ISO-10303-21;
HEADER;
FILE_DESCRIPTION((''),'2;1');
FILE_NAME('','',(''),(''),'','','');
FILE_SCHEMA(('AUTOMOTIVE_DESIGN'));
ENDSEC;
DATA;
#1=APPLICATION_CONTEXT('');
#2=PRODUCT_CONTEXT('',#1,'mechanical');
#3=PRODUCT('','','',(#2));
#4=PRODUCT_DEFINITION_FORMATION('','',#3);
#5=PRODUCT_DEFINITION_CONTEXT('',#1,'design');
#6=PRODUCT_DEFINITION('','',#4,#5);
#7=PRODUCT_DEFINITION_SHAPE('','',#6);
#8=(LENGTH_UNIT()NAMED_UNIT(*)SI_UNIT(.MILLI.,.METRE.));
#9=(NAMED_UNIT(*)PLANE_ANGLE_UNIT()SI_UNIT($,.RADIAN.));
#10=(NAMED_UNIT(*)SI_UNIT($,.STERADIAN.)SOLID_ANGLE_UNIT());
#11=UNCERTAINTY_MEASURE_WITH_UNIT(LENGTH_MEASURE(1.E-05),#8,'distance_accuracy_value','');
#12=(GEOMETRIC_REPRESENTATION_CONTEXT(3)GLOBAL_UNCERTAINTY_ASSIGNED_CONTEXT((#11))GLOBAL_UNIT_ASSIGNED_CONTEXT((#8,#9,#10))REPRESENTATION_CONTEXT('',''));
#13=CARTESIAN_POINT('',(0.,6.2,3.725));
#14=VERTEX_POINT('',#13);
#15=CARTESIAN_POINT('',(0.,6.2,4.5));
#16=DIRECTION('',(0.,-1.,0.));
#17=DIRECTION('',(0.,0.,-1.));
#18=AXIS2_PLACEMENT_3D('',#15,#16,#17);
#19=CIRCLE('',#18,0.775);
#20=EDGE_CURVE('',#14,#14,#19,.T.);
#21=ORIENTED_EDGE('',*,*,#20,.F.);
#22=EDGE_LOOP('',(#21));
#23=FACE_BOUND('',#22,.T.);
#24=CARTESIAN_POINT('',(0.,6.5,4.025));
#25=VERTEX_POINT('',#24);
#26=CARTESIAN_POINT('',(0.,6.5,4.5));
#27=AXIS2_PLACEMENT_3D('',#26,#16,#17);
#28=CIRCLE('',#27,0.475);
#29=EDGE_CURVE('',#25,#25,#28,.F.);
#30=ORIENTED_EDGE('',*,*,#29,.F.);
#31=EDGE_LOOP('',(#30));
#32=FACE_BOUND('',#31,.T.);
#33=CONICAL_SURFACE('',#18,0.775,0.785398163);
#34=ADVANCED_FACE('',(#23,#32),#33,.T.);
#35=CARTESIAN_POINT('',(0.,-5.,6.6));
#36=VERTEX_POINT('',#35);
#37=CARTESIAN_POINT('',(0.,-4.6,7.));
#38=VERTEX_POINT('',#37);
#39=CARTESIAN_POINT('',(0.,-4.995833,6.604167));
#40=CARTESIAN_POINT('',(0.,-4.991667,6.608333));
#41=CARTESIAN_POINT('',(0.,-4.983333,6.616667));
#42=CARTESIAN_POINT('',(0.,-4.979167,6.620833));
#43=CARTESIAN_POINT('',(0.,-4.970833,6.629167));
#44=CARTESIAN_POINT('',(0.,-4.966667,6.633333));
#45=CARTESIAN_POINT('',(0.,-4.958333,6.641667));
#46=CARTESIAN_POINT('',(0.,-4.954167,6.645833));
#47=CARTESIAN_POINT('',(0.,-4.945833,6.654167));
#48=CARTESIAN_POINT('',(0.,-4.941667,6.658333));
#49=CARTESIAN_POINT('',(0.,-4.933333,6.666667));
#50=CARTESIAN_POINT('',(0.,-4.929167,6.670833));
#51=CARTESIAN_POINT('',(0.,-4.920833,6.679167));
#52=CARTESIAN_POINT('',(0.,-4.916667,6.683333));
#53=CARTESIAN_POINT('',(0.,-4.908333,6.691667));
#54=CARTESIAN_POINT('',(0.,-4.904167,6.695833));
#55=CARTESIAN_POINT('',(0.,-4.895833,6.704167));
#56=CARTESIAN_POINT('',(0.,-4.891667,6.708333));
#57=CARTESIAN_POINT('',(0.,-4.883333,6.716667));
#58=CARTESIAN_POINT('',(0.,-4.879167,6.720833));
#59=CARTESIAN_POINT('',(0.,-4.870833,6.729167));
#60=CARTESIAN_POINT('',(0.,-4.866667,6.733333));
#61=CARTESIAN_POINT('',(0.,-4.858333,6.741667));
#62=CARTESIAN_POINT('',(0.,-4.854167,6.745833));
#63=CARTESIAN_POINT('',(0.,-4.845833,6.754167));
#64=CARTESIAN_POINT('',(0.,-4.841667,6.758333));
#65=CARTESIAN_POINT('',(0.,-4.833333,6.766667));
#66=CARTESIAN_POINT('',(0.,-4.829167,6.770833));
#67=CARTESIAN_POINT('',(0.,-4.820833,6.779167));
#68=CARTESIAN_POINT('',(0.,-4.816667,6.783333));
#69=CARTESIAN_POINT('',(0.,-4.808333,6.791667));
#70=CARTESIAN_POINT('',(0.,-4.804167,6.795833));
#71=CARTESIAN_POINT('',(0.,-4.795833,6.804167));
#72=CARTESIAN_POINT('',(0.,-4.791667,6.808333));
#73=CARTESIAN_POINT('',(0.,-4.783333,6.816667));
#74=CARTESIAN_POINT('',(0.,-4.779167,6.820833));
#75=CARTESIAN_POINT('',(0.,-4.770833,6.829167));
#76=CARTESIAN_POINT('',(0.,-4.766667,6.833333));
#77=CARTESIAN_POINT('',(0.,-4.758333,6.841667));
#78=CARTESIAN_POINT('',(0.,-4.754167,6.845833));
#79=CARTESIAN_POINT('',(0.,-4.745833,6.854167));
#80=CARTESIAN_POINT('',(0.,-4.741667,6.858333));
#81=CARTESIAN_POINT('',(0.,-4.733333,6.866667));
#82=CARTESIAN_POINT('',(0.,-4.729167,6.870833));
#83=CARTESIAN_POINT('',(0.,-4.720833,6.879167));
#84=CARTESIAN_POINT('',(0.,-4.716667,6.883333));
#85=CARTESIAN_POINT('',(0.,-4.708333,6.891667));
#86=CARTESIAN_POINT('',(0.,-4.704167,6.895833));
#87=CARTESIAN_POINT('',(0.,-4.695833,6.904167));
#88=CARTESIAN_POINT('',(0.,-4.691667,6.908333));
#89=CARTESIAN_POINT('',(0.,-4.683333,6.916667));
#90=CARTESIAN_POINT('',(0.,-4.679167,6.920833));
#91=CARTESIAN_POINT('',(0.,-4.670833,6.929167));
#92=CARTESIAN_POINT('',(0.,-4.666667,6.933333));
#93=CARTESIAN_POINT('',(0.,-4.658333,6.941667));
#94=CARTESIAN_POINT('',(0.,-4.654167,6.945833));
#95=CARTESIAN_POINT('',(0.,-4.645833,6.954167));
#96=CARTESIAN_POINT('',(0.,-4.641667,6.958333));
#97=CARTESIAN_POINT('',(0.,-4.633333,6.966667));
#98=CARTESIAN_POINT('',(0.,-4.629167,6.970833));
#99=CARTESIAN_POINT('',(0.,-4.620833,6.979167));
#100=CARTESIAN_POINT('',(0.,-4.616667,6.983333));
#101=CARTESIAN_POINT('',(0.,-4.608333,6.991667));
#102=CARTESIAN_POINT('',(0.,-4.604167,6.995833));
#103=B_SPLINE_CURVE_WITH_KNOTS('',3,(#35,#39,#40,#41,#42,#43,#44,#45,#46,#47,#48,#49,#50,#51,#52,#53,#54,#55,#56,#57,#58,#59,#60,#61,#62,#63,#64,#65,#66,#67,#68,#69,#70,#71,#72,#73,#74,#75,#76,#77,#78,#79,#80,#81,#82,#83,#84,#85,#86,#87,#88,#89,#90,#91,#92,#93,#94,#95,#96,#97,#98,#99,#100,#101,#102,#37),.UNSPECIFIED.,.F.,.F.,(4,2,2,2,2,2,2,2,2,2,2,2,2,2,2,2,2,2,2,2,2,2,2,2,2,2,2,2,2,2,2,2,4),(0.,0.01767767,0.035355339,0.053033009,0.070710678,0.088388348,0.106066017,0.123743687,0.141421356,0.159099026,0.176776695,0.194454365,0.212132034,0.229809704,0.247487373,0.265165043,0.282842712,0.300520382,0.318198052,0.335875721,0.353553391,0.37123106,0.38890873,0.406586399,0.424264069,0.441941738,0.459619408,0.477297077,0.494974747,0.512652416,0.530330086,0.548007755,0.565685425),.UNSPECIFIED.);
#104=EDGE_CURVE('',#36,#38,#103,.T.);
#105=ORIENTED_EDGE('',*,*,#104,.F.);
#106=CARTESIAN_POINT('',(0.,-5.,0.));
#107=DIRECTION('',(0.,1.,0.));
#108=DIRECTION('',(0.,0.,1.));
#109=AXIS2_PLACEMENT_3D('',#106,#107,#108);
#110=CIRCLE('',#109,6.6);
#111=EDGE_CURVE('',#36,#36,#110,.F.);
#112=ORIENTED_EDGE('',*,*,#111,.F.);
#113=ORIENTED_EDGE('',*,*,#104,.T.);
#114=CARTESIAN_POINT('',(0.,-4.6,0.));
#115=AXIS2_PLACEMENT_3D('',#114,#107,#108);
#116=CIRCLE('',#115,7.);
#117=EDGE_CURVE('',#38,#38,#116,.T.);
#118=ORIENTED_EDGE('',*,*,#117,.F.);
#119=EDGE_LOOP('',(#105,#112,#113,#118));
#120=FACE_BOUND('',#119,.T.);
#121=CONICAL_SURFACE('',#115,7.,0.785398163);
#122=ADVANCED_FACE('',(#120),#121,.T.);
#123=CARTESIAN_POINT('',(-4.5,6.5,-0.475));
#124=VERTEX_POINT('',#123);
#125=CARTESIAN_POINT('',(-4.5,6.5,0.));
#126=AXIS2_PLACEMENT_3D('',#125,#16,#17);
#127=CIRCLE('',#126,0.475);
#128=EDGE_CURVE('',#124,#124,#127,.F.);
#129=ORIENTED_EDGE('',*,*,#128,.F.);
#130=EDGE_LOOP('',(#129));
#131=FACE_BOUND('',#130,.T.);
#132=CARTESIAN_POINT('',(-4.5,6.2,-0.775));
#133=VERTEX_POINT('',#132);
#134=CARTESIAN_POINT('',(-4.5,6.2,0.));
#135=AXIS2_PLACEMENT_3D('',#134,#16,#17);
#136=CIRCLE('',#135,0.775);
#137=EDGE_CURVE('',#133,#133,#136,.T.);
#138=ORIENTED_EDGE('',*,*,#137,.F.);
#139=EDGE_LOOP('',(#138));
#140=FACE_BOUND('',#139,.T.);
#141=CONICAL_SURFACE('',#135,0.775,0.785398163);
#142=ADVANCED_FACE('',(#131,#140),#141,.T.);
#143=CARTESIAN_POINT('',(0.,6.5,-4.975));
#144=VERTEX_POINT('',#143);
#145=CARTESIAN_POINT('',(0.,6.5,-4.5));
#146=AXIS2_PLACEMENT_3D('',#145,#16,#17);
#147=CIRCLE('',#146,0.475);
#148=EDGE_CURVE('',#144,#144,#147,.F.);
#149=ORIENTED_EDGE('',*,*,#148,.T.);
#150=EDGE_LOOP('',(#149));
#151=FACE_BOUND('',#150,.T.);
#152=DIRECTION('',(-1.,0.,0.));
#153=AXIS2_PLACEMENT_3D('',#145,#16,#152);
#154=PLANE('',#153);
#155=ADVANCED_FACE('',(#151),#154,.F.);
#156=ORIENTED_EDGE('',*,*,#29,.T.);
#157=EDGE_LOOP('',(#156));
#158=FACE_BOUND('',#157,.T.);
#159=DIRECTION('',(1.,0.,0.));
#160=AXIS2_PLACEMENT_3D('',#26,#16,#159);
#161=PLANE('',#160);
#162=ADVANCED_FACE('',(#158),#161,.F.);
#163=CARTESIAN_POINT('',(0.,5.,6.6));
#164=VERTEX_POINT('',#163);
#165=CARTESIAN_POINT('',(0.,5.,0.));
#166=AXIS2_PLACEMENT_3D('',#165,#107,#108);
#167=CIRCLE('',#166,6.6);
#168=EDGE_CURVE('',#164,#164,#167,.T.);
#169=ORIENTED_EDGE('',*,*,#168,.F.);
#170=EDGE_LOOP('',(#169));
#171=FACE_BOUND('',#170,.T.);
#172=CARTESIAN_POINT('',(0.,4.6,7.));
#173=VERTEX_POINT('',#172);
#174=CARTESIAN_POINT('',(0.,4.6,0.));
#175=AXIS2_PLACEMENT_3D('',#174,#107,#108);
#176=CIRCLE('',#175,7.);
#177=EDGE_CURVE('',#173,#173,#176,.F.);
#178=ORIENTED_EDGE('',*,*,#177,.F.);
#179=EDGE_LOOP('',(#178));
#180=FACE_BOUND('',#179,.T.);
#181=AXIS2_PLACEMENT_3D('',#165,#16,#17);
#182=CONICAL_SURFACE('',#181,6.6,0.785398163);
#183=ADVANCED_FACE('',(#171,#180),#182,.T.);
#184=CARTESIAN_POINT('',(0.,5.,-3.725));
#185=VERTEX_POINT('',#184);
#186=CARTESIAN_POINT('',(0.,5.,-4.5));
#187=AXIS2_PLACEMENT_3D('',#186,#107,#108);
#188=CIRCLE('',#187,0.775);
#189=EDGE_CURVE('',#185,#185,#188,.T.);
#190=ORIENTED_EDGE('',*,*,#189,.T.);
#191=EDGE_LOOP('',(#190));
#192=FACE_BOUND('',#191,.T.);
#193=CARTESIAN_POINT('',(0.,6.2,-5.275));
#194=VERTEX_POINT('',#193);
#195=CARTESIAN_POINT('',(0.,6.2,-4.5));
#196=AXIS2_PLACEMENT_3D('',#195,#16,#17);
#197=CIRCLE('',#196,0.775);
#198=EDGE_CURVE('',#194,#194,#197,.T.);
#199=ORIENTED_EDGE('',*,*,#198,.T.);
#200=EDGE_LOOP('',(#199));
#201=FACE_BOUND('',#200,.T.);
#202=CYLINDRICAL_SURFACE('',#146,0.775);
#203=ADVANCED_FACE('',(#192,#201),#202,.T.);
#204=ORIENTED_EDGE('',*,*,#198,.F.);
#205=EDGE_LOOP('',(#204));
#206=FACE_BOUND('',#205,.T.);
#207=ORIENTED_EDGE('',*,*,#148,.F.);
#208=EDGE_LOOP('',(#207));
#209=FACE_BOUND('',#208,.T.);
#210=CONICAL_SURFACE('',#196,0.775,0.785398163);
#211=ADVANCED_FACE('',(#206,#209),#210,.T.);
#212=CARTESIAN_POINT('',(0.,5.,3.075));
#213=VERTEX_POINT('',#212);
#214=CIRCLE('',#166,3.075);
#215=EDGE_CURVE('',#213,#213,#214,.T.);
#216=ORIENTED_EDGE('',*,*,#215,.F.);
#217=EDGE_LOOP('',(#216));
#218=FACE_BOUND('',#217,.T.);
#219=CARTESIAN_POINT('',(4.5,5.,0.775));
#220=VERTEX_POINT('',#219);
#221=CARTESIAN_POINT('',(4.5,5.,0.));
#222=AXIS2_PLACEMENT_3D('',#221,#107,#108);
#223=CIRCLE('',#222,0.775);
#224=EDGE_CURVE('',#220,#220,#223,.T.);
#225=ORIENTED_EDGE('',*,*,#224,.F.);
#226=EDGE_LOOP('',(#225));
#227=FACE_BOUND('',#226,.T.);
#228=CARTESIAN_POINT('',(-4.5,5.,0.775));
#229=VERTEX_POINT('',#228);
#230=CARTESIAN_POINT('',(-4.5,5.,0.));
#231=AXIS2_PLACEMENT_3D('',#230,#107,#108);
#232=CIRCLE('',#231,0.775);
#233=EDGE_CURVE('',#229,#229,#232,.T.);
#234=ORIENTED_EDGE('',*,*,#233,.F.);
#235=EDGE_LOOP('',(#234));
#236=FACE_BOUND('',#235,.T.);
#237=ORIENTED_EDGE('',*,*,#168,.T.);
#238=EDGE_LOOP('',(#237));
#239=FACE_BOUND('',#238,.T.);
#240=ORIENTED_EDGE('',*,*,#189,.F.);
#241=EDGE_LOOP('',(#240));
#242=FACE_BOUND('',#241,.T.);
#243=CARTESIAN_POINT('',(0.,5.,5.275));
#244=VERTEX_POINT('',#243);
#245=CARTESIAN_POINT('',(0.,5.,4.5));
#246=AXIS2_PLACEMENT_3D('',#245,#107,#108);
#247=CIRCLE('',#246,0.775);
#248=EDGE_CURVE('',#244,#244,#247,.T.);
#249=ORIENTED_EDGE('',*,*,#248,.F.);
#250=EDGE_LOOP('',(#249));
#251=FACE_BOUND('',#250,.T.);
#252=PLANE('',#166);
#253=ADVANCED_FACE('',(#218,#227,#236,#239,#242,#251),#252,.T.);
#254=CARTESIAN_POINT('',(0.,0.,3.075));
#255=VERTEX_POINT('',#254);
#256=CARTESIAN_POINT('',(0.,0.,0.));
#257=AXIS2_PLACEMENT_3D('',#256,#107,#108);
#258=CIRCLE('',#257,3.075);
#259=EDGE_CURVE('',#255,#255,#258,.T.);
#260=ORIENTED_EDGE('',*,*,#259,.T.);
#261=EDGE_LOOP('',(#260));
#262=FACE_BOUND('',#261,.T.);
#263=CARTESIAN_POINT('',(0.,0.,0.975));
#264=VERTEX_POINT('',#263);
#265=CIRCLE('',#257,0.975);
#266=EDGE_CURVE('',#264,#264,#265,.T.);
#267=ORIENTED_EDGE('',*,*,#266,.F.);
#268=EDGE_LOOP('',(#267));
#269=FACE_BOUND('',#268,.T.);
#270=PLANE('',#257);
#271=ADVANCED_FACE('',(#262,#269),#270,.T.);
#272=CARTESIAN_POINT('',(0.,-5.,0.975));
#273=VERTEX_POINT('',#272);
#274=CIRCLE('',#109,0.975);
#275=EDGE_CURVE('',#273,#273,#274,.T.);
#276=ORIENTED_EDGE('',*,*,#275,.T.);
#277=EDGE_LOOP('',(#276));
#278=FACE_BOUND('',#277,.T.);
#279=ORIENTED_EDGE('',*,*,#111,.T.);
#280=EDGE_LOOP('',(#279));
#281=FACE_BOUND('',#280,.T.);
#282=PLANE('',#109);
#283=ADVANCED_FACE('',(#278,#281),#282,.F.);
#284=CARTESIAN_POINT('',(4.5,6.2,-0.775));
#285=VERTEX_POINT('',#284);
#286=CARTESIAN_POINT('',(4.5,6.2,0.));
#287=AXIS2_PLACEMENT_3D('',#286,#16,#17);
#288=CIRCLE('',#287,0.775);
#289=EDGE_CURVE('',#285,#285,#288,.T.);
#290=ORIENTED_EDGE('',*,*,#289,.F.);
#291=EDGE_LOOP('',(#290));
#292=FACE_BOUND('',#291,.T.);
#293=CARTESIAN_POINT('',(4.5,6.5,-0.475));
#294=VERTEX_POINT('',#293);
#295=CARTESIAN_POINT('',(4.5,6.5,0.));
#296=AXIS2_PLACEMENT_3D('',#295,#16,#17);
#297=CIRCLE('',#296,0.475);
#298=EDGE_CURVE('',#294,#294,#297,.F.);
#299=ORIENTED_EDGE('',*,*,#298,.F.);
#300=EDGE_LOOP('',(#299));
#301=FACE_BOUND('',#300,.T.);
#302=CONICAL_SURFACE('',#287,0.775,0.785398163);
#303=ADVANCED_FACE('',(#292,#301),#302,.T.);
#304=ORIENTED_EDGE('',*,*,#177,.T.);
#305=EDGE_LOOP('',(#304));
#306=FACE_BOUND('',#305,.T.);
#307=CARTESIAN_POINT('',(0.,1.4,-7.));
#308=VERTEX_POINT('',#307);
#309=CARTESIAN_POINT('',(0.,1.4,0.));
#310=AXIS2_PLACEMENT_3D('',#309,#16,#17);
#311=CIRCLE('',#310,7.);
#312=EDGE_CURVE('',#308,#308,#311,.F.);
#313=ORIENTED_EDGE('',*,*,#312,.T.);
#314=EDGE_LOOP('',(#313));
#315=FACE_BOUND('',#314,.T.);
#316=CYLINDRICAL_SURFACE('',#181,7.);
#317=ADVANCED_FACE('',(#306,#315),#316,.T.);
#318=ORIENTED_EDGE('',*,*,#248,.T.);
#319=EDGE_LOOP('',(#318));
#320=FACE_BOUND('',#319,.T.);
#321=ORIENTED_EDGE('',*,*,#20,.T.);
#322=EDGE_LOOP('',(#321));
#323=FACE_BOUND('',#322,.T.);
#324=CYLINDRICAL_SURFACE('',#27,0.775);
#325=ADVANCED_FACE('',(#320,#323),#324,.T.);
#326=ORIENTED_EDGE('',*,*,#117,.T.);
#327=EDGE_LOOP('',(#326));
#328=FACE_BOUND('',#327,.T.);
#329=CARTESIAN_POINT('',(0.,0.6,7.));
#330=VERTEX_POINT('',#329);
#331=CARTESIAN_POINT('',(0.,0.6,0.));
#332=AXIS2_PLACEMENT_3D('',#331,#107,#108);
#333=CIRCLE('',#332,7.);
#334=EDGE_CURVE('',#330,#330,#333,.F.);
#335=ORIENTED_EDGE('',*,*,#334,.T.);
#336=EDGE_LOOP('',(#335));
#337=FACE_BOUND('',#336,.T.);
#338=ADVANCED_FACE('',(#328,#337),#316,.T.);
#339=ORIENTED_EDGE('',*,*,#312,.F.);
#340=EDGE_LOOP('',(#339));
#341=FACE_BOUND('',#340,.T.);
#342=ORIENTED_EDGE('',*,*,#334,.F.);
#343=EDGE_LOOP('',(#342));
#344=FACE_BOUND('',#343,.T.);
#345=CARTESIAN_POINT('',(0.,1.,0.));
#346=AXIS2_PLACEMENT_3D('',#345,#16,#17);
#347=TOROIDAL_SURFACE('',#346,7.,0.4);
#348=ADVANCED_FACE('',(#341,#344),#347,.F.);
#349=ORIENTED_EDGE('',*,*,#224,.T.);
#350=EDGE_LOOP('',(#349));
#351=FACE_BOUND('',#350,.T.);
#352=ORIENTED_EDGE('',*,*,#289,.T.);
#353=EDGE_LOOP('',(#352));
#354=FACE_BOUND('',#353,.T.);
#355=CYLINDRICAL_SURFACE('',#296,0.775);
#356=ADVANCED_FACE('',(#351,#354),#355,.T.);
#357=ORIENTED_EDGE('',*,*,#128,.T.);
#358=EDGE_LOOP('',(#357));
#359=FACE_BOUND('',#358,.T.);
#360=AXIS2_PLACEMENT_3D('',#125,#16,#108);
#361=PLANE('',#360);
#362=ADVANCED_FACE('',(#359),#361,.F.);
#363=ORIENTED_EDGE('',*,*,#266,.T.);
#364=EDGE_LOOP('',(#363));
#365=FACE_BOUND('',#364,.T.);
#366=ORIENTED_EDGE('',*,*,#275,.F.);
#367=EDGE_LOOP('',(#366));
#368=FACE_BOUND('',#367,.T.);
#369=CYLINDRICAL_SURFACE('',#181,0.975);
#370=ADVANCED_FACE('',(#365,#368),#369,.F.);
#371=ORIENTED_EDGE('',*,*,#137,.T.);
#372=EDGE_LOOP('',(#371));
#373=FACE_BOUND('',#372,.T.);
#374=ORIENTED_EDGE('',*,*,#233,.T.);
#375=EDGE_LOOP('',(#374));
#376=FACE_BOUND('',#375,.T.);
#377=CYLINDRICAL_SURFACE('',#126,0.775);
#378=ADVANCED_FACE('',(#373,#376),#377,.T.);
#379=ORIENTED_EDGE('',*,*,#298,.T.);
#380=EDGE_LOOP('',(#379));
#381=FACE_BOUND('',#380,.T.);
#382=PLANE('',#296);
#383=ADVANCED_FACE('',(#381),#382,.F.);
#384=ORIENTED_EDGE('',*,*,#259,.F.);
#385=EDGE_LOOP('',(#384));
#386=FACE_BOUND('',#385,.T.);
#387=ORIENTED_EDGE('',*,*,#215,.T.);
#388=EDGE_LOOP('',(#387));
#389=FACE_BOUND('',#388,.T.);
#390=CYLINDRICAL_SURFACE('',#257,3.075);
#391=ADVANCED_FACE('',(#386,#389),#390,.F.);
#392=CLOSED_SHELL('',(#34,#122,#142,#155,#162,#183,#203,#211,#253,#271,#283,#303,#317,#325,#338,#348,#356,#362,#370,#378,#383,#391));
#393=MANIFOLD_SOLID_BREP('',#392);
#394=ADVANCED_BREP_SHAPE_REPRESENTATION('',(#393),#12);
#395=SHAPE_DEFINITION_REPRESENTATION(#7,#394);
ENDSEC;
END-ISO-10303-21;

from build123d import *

# Parameters (mm, degrees)
SKETCH1_R                    = 7
SKETCH1_R_2                  = 0.975
BOSS_EXTRUDE1_DEPTH          = 5
SKETCH3_R                    = 3.075
CUT_EXTRUDE1_DEPTH           = 5
SKETCH4_R                    = 0.775
BOSS_EXTRUDE3_DEPTH          = 1.5
CHAMFER1_SIZE                = 0.3
CIRPATTERN1_COUNT            = 4
CHAMFER1_OF_CIRPATTERN1_SIZE = 0.3
SKETCH8_R                    = 0.4
CHAMFER2_SIZE                = 0.4


with BuildPart() as part:
    # Sketch1 → Boss-Extrude1 (new, symmetric)
    with BuildSketch(Plane(origin=(0, 0, 0), x_dir=(1, 0, 0), z_dir=(0, 1, 0))):
        with Locations(Location((0, 0, 0), (0, 0, 270))):
            Circle(SKETCH1_R)
        with Locations(Location((0, 0, 0), (0, 0, 270))):
            Circle(SKETCH1_R_2, mode=Mode.SUBTRACT)
    extrude(amount=BOSS_EXTRUDE1_DEPTH, both=True)

    # Sketch3 → Cut-Extrude1 (cut)
    with BuildSketch(Plane(origin=(0, 5, 0), x_dir=(1, 0, 0), z_dir=(0, 1, 0))):
        with Locations(Location((0, 0, 0), (0, 0, 270))):
            Circle(SKETCH3_R)
    extrude(amount=-CUT_EXTRUDE1_DEPTH, mode=Mode.SUBTRACT)

    # Sketch4 → Boss-Extrude3 (add)
    with BuildSketch(Plane.XZ.offset(-5)):
        with Locations(Location((4.5, 0, 0), (0, 0, 270))):
            Circle(SKETCH4_R)
    boss_extrude3 = extrude(amount=-BOSS_EXTRUDE3_DEPTH)

    # Chamfer1
    chamfer1_edges = [part.edges().sort_by_distance(p)[0] for p in [
        (4.5, 6.5, 0.775),
    ]]
    chamfer(chamfer1_edges, length=CHAMFER1_SIZE)

    # CirPattern1: Boss-Extrude3 ×4 about axis
    cirpattern1_axis = Axis((0, 0, 0), (0, 1, 0))
    for i in range(1, CIRPATTERN1_COUNT):
        add(boss_extrude3.rotate(cirpattern1_axis, i * 360 / CIRPATTERN1_COUNT))

    # Chamfer1 of CirPattern1
    chamfer1_of_cirpattern1_edges = [part.edges().sort_by_distance(p)[0] for p in [
        (0.775, 6.5, -4.5),
        (-4.5, 6.5, -0.775),
        (-0.775, 6.5, 4.5),
    ]]
    chamfer(chamfer1_of_cirpattern1_edges, length=CHAMFER1_OF_CIRPATTERN1_SIZE)

    # Sketch8 → Cut-Revolve1 (revolve, cut)
    with BuildSketch(Plane.XY, mode=Mode.PRIVATE) as cut_revolve1_sk:
        with Locations((7, 1)):
            Circle(SKETCH8_R)
    revolve(cut_revolve1_sk.sketch.rotate(Axis((0, 0, 0), (0, 1, 0)), 90), axis=Axis((0, 0, 0), (0, 1, 0)), mode=Mode.SUBTRACT)

    # Chamfer2
    chamfer2_edges = [part.edges().sort_by_distance(p)[0] for p in [
        (0, -5, -7),
        (0, 5, -7),
    ]]
    chamfer(chamfer2_edges, length=CHAMFER2_SIZE)


solid = part.part
